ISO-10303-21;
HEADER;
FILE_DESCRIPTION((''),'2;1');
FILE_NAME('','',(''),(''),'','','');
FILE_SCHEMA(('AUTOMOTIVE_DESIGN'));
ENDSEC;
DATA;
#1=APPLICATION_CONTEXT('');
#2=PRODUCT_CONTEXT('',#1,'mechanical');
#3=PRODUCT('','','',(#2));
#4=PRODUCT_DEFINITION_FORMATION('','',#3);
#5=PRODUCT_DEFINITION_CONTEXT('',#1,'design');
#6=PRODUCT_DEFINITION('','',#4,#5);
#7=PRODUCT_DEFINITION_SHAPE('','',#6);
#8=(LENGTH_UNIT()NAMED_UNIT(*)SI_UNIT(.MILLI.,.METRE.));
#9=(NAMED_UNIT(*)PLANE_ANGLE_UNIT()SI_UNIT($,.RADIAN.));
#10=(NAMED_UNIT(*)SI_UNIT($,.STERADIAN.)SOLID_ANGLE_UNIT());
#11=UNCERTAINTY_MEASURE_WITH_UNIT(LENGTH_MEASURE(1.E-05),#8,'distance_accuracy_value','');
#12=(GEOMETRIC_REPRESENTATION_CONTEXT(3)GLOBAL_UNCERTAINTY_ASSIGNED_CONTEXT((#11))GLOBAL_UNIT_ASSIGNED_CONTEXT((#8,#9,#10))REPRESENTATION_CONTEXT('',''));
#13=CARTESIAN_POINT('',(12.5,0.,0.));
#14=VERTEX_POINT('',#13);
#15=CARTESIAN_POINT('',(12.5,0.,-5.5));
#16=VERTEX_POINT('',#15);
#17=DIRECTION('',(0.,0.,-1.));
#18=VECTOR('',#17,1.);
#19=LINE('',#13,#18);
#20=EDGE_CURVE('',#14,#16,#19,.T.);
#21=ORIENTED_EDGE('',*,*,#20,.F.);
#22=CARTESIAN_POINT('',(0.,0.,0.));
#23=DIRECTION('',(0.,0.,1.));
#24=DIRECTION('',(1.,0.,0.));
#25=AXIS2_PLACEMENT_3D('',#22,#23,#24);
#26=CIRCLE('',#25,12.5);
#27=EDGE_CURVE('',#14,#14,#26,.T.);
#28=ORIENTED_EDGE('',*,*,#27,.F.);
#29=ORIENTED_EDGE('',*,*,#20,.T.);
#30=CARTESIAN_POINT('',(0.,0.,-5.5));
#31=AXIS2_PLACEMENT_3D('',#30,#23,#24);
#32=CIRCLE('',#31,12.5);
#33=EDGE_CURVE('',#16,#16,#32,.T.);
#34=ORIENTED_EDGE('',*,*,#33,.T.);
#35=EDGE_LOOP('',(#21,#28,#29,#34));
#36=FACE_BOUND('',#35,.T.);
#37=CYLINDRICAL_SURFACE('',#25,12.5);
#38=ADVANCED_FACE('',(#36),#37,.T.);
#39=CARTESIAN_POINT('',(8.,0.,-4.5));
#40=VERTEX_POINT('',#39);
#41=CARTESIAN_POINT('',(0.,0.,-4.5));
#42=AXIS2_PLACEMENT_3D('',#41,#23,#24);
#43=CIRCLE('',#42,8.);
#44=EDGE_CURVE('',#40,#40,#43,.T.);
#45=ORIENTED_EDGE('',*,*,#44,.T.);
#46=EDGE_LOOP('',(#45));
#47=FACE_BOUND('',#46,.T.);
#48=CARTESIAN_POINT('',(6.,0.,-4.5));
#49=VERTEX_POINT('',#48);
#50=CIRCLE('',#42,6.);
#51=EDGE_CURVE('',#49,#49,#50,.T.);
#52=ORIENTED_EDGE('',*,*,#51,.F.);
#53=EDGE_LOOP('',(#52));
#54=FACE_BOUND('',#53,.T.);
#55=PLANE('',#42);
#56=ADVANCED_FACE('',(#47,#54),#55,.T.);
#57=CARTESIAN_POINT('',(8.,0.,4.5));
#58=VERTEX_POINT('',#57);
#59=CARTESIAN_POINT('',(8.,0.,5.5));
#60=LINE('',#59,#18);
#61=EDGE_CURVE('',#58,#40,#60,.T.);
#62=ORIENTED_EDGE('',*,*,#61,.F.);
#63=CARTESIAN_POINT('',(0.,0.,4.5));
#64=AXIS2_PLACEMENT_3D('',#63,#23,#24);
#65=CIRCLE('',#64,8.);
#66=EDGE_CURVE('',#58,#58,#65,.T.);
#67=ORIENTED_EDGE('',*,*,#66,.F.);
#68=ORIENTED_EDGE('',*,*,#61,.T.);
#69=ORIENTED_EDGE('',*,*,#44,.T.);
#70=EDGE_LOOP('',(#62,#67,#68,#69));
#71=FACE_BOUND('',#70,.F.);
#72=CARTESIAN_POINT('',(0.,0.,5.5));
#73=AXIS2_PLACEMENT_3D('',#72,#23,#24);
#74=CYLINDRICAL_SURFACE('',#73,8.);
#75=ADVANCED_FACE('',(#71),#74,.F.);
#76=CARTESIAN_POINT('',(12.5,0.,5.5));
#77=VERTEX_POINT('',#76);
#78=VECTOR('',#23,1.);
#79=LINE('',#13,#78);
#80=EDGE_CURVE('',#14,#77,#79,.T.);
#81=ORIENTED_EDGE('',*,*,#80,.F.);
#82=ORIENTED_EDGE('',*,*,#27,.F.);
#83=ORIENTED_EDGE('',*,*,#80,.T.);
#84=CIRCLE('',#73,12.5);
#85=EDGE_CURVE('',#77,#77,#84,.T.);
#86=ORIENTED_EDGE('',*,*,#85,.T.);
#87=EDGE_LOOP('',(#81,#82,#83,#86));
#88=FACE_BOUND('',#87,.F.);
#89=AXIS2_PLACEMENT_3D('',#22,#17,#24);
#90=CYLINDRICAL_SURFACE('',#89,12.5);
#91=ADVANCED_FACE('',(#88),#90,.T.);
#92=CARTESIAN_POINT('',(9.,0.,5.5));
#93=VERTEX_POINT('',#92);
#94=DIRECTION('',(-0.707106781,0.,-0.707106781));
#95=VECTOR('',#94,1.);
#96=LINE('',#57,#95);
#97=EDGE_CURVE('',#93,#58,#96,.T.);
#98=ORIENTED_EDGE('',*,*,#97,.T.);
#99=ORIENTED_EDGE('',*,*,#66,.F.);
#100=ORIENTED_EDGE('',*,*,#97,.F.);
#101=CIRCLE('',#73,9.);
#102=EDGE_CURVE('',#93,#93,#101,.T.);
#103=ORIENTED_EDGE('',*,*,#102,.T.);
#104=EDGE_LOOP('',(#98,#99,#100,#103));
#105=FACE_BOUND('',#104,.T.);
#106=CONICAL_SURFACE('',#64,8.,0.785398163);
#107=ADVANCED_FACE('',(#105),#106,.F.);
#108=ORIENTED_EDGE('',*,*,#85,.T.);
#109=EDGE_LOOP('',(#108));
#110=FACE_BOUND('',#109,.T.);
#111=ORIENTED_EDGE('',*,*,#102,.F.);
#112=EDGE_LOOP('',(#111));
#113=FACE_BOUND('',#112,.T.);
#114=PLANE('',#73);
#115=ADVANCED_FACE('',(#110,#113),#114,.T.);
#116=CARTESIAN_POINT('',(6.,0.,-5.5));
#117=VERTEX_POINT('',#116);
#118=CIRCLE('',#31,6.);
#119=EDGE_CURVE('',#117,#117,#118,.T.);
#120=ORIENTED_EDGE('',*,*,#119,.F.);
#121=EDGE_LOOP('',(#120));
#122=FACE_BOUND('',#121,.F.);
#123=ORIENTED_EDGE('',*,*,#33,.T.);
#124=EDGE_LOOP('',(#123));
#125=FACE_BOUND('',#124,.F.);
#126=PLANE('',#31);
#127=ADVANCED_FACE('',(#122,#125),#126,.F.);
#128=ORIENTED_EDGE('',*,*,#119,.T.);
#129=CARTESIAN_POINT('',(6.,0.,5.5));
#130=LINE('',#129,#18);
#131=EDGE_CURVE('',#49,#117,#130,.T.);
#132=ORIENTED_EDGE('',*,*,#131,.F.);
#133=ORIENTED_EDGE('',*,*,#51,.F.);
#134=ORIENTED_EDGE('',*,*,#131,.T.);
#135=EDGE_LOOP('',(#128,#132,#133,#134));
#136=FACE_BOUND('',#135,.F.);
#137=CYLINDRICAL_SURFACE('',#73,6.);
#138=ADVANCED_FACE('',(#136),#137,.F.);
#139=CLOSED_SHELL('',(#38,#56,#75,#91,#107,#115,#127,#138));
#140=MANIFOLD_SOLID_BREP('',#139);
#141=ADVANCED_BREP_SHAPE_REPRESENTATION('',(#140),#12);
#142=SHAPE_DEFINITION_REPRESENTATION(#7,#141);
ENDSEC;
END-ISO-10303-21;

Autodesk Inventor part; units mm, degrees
ref_plane "YZ Plane" through (0, 0, 0) normal (1, 0, 0) x (0, 1, 0)
ref_plane "XZ Plane" through (0, 0, 0) normal (0, 1, 0) x (-1, 0, 0)
ref_plane "XY Plane" through (0, 0, 0) normal (0, 0, 1) x (1, 0, 0)
sketch "Szkic główny" plane through (0, 0, 0) normal (0, 0, 1) x (1, 0, 0)
  circle A0 centre (0, 0) radius 12.5
  dimension "d0" = 25
extrude "Koło pasowe" add sketch "Szkic główny" along normal mid plane 11
sketch "Szkic2" plane through (0, 0, 5.5) normal (0, 0, 1) x (1, 0, 0)
  circle A0 centre (0, 0) radius 8
  circle A1 centre (0, 0) radius 6
  dimension "d5" = 16
  dimension "d6" = 12
extrude "Wyciągnięcie proste2" cut sketch "Szkic2" against normal through all contours A1
extrude "Wyciągnięcie proste3" cut sketch "Szkic2" against normal blind 10
chamfer "Faza1" distance 1 angle 45 1 edges at (-8, 0, 5.5)
equation "\"d0\" = da_D"
equation "\"d1\" = da_B"
equation "\"da_D\" = 25"
equation "\"da_B\" = 11"
properties part number "Koło pasowe zwykłe1" material "Steel"
